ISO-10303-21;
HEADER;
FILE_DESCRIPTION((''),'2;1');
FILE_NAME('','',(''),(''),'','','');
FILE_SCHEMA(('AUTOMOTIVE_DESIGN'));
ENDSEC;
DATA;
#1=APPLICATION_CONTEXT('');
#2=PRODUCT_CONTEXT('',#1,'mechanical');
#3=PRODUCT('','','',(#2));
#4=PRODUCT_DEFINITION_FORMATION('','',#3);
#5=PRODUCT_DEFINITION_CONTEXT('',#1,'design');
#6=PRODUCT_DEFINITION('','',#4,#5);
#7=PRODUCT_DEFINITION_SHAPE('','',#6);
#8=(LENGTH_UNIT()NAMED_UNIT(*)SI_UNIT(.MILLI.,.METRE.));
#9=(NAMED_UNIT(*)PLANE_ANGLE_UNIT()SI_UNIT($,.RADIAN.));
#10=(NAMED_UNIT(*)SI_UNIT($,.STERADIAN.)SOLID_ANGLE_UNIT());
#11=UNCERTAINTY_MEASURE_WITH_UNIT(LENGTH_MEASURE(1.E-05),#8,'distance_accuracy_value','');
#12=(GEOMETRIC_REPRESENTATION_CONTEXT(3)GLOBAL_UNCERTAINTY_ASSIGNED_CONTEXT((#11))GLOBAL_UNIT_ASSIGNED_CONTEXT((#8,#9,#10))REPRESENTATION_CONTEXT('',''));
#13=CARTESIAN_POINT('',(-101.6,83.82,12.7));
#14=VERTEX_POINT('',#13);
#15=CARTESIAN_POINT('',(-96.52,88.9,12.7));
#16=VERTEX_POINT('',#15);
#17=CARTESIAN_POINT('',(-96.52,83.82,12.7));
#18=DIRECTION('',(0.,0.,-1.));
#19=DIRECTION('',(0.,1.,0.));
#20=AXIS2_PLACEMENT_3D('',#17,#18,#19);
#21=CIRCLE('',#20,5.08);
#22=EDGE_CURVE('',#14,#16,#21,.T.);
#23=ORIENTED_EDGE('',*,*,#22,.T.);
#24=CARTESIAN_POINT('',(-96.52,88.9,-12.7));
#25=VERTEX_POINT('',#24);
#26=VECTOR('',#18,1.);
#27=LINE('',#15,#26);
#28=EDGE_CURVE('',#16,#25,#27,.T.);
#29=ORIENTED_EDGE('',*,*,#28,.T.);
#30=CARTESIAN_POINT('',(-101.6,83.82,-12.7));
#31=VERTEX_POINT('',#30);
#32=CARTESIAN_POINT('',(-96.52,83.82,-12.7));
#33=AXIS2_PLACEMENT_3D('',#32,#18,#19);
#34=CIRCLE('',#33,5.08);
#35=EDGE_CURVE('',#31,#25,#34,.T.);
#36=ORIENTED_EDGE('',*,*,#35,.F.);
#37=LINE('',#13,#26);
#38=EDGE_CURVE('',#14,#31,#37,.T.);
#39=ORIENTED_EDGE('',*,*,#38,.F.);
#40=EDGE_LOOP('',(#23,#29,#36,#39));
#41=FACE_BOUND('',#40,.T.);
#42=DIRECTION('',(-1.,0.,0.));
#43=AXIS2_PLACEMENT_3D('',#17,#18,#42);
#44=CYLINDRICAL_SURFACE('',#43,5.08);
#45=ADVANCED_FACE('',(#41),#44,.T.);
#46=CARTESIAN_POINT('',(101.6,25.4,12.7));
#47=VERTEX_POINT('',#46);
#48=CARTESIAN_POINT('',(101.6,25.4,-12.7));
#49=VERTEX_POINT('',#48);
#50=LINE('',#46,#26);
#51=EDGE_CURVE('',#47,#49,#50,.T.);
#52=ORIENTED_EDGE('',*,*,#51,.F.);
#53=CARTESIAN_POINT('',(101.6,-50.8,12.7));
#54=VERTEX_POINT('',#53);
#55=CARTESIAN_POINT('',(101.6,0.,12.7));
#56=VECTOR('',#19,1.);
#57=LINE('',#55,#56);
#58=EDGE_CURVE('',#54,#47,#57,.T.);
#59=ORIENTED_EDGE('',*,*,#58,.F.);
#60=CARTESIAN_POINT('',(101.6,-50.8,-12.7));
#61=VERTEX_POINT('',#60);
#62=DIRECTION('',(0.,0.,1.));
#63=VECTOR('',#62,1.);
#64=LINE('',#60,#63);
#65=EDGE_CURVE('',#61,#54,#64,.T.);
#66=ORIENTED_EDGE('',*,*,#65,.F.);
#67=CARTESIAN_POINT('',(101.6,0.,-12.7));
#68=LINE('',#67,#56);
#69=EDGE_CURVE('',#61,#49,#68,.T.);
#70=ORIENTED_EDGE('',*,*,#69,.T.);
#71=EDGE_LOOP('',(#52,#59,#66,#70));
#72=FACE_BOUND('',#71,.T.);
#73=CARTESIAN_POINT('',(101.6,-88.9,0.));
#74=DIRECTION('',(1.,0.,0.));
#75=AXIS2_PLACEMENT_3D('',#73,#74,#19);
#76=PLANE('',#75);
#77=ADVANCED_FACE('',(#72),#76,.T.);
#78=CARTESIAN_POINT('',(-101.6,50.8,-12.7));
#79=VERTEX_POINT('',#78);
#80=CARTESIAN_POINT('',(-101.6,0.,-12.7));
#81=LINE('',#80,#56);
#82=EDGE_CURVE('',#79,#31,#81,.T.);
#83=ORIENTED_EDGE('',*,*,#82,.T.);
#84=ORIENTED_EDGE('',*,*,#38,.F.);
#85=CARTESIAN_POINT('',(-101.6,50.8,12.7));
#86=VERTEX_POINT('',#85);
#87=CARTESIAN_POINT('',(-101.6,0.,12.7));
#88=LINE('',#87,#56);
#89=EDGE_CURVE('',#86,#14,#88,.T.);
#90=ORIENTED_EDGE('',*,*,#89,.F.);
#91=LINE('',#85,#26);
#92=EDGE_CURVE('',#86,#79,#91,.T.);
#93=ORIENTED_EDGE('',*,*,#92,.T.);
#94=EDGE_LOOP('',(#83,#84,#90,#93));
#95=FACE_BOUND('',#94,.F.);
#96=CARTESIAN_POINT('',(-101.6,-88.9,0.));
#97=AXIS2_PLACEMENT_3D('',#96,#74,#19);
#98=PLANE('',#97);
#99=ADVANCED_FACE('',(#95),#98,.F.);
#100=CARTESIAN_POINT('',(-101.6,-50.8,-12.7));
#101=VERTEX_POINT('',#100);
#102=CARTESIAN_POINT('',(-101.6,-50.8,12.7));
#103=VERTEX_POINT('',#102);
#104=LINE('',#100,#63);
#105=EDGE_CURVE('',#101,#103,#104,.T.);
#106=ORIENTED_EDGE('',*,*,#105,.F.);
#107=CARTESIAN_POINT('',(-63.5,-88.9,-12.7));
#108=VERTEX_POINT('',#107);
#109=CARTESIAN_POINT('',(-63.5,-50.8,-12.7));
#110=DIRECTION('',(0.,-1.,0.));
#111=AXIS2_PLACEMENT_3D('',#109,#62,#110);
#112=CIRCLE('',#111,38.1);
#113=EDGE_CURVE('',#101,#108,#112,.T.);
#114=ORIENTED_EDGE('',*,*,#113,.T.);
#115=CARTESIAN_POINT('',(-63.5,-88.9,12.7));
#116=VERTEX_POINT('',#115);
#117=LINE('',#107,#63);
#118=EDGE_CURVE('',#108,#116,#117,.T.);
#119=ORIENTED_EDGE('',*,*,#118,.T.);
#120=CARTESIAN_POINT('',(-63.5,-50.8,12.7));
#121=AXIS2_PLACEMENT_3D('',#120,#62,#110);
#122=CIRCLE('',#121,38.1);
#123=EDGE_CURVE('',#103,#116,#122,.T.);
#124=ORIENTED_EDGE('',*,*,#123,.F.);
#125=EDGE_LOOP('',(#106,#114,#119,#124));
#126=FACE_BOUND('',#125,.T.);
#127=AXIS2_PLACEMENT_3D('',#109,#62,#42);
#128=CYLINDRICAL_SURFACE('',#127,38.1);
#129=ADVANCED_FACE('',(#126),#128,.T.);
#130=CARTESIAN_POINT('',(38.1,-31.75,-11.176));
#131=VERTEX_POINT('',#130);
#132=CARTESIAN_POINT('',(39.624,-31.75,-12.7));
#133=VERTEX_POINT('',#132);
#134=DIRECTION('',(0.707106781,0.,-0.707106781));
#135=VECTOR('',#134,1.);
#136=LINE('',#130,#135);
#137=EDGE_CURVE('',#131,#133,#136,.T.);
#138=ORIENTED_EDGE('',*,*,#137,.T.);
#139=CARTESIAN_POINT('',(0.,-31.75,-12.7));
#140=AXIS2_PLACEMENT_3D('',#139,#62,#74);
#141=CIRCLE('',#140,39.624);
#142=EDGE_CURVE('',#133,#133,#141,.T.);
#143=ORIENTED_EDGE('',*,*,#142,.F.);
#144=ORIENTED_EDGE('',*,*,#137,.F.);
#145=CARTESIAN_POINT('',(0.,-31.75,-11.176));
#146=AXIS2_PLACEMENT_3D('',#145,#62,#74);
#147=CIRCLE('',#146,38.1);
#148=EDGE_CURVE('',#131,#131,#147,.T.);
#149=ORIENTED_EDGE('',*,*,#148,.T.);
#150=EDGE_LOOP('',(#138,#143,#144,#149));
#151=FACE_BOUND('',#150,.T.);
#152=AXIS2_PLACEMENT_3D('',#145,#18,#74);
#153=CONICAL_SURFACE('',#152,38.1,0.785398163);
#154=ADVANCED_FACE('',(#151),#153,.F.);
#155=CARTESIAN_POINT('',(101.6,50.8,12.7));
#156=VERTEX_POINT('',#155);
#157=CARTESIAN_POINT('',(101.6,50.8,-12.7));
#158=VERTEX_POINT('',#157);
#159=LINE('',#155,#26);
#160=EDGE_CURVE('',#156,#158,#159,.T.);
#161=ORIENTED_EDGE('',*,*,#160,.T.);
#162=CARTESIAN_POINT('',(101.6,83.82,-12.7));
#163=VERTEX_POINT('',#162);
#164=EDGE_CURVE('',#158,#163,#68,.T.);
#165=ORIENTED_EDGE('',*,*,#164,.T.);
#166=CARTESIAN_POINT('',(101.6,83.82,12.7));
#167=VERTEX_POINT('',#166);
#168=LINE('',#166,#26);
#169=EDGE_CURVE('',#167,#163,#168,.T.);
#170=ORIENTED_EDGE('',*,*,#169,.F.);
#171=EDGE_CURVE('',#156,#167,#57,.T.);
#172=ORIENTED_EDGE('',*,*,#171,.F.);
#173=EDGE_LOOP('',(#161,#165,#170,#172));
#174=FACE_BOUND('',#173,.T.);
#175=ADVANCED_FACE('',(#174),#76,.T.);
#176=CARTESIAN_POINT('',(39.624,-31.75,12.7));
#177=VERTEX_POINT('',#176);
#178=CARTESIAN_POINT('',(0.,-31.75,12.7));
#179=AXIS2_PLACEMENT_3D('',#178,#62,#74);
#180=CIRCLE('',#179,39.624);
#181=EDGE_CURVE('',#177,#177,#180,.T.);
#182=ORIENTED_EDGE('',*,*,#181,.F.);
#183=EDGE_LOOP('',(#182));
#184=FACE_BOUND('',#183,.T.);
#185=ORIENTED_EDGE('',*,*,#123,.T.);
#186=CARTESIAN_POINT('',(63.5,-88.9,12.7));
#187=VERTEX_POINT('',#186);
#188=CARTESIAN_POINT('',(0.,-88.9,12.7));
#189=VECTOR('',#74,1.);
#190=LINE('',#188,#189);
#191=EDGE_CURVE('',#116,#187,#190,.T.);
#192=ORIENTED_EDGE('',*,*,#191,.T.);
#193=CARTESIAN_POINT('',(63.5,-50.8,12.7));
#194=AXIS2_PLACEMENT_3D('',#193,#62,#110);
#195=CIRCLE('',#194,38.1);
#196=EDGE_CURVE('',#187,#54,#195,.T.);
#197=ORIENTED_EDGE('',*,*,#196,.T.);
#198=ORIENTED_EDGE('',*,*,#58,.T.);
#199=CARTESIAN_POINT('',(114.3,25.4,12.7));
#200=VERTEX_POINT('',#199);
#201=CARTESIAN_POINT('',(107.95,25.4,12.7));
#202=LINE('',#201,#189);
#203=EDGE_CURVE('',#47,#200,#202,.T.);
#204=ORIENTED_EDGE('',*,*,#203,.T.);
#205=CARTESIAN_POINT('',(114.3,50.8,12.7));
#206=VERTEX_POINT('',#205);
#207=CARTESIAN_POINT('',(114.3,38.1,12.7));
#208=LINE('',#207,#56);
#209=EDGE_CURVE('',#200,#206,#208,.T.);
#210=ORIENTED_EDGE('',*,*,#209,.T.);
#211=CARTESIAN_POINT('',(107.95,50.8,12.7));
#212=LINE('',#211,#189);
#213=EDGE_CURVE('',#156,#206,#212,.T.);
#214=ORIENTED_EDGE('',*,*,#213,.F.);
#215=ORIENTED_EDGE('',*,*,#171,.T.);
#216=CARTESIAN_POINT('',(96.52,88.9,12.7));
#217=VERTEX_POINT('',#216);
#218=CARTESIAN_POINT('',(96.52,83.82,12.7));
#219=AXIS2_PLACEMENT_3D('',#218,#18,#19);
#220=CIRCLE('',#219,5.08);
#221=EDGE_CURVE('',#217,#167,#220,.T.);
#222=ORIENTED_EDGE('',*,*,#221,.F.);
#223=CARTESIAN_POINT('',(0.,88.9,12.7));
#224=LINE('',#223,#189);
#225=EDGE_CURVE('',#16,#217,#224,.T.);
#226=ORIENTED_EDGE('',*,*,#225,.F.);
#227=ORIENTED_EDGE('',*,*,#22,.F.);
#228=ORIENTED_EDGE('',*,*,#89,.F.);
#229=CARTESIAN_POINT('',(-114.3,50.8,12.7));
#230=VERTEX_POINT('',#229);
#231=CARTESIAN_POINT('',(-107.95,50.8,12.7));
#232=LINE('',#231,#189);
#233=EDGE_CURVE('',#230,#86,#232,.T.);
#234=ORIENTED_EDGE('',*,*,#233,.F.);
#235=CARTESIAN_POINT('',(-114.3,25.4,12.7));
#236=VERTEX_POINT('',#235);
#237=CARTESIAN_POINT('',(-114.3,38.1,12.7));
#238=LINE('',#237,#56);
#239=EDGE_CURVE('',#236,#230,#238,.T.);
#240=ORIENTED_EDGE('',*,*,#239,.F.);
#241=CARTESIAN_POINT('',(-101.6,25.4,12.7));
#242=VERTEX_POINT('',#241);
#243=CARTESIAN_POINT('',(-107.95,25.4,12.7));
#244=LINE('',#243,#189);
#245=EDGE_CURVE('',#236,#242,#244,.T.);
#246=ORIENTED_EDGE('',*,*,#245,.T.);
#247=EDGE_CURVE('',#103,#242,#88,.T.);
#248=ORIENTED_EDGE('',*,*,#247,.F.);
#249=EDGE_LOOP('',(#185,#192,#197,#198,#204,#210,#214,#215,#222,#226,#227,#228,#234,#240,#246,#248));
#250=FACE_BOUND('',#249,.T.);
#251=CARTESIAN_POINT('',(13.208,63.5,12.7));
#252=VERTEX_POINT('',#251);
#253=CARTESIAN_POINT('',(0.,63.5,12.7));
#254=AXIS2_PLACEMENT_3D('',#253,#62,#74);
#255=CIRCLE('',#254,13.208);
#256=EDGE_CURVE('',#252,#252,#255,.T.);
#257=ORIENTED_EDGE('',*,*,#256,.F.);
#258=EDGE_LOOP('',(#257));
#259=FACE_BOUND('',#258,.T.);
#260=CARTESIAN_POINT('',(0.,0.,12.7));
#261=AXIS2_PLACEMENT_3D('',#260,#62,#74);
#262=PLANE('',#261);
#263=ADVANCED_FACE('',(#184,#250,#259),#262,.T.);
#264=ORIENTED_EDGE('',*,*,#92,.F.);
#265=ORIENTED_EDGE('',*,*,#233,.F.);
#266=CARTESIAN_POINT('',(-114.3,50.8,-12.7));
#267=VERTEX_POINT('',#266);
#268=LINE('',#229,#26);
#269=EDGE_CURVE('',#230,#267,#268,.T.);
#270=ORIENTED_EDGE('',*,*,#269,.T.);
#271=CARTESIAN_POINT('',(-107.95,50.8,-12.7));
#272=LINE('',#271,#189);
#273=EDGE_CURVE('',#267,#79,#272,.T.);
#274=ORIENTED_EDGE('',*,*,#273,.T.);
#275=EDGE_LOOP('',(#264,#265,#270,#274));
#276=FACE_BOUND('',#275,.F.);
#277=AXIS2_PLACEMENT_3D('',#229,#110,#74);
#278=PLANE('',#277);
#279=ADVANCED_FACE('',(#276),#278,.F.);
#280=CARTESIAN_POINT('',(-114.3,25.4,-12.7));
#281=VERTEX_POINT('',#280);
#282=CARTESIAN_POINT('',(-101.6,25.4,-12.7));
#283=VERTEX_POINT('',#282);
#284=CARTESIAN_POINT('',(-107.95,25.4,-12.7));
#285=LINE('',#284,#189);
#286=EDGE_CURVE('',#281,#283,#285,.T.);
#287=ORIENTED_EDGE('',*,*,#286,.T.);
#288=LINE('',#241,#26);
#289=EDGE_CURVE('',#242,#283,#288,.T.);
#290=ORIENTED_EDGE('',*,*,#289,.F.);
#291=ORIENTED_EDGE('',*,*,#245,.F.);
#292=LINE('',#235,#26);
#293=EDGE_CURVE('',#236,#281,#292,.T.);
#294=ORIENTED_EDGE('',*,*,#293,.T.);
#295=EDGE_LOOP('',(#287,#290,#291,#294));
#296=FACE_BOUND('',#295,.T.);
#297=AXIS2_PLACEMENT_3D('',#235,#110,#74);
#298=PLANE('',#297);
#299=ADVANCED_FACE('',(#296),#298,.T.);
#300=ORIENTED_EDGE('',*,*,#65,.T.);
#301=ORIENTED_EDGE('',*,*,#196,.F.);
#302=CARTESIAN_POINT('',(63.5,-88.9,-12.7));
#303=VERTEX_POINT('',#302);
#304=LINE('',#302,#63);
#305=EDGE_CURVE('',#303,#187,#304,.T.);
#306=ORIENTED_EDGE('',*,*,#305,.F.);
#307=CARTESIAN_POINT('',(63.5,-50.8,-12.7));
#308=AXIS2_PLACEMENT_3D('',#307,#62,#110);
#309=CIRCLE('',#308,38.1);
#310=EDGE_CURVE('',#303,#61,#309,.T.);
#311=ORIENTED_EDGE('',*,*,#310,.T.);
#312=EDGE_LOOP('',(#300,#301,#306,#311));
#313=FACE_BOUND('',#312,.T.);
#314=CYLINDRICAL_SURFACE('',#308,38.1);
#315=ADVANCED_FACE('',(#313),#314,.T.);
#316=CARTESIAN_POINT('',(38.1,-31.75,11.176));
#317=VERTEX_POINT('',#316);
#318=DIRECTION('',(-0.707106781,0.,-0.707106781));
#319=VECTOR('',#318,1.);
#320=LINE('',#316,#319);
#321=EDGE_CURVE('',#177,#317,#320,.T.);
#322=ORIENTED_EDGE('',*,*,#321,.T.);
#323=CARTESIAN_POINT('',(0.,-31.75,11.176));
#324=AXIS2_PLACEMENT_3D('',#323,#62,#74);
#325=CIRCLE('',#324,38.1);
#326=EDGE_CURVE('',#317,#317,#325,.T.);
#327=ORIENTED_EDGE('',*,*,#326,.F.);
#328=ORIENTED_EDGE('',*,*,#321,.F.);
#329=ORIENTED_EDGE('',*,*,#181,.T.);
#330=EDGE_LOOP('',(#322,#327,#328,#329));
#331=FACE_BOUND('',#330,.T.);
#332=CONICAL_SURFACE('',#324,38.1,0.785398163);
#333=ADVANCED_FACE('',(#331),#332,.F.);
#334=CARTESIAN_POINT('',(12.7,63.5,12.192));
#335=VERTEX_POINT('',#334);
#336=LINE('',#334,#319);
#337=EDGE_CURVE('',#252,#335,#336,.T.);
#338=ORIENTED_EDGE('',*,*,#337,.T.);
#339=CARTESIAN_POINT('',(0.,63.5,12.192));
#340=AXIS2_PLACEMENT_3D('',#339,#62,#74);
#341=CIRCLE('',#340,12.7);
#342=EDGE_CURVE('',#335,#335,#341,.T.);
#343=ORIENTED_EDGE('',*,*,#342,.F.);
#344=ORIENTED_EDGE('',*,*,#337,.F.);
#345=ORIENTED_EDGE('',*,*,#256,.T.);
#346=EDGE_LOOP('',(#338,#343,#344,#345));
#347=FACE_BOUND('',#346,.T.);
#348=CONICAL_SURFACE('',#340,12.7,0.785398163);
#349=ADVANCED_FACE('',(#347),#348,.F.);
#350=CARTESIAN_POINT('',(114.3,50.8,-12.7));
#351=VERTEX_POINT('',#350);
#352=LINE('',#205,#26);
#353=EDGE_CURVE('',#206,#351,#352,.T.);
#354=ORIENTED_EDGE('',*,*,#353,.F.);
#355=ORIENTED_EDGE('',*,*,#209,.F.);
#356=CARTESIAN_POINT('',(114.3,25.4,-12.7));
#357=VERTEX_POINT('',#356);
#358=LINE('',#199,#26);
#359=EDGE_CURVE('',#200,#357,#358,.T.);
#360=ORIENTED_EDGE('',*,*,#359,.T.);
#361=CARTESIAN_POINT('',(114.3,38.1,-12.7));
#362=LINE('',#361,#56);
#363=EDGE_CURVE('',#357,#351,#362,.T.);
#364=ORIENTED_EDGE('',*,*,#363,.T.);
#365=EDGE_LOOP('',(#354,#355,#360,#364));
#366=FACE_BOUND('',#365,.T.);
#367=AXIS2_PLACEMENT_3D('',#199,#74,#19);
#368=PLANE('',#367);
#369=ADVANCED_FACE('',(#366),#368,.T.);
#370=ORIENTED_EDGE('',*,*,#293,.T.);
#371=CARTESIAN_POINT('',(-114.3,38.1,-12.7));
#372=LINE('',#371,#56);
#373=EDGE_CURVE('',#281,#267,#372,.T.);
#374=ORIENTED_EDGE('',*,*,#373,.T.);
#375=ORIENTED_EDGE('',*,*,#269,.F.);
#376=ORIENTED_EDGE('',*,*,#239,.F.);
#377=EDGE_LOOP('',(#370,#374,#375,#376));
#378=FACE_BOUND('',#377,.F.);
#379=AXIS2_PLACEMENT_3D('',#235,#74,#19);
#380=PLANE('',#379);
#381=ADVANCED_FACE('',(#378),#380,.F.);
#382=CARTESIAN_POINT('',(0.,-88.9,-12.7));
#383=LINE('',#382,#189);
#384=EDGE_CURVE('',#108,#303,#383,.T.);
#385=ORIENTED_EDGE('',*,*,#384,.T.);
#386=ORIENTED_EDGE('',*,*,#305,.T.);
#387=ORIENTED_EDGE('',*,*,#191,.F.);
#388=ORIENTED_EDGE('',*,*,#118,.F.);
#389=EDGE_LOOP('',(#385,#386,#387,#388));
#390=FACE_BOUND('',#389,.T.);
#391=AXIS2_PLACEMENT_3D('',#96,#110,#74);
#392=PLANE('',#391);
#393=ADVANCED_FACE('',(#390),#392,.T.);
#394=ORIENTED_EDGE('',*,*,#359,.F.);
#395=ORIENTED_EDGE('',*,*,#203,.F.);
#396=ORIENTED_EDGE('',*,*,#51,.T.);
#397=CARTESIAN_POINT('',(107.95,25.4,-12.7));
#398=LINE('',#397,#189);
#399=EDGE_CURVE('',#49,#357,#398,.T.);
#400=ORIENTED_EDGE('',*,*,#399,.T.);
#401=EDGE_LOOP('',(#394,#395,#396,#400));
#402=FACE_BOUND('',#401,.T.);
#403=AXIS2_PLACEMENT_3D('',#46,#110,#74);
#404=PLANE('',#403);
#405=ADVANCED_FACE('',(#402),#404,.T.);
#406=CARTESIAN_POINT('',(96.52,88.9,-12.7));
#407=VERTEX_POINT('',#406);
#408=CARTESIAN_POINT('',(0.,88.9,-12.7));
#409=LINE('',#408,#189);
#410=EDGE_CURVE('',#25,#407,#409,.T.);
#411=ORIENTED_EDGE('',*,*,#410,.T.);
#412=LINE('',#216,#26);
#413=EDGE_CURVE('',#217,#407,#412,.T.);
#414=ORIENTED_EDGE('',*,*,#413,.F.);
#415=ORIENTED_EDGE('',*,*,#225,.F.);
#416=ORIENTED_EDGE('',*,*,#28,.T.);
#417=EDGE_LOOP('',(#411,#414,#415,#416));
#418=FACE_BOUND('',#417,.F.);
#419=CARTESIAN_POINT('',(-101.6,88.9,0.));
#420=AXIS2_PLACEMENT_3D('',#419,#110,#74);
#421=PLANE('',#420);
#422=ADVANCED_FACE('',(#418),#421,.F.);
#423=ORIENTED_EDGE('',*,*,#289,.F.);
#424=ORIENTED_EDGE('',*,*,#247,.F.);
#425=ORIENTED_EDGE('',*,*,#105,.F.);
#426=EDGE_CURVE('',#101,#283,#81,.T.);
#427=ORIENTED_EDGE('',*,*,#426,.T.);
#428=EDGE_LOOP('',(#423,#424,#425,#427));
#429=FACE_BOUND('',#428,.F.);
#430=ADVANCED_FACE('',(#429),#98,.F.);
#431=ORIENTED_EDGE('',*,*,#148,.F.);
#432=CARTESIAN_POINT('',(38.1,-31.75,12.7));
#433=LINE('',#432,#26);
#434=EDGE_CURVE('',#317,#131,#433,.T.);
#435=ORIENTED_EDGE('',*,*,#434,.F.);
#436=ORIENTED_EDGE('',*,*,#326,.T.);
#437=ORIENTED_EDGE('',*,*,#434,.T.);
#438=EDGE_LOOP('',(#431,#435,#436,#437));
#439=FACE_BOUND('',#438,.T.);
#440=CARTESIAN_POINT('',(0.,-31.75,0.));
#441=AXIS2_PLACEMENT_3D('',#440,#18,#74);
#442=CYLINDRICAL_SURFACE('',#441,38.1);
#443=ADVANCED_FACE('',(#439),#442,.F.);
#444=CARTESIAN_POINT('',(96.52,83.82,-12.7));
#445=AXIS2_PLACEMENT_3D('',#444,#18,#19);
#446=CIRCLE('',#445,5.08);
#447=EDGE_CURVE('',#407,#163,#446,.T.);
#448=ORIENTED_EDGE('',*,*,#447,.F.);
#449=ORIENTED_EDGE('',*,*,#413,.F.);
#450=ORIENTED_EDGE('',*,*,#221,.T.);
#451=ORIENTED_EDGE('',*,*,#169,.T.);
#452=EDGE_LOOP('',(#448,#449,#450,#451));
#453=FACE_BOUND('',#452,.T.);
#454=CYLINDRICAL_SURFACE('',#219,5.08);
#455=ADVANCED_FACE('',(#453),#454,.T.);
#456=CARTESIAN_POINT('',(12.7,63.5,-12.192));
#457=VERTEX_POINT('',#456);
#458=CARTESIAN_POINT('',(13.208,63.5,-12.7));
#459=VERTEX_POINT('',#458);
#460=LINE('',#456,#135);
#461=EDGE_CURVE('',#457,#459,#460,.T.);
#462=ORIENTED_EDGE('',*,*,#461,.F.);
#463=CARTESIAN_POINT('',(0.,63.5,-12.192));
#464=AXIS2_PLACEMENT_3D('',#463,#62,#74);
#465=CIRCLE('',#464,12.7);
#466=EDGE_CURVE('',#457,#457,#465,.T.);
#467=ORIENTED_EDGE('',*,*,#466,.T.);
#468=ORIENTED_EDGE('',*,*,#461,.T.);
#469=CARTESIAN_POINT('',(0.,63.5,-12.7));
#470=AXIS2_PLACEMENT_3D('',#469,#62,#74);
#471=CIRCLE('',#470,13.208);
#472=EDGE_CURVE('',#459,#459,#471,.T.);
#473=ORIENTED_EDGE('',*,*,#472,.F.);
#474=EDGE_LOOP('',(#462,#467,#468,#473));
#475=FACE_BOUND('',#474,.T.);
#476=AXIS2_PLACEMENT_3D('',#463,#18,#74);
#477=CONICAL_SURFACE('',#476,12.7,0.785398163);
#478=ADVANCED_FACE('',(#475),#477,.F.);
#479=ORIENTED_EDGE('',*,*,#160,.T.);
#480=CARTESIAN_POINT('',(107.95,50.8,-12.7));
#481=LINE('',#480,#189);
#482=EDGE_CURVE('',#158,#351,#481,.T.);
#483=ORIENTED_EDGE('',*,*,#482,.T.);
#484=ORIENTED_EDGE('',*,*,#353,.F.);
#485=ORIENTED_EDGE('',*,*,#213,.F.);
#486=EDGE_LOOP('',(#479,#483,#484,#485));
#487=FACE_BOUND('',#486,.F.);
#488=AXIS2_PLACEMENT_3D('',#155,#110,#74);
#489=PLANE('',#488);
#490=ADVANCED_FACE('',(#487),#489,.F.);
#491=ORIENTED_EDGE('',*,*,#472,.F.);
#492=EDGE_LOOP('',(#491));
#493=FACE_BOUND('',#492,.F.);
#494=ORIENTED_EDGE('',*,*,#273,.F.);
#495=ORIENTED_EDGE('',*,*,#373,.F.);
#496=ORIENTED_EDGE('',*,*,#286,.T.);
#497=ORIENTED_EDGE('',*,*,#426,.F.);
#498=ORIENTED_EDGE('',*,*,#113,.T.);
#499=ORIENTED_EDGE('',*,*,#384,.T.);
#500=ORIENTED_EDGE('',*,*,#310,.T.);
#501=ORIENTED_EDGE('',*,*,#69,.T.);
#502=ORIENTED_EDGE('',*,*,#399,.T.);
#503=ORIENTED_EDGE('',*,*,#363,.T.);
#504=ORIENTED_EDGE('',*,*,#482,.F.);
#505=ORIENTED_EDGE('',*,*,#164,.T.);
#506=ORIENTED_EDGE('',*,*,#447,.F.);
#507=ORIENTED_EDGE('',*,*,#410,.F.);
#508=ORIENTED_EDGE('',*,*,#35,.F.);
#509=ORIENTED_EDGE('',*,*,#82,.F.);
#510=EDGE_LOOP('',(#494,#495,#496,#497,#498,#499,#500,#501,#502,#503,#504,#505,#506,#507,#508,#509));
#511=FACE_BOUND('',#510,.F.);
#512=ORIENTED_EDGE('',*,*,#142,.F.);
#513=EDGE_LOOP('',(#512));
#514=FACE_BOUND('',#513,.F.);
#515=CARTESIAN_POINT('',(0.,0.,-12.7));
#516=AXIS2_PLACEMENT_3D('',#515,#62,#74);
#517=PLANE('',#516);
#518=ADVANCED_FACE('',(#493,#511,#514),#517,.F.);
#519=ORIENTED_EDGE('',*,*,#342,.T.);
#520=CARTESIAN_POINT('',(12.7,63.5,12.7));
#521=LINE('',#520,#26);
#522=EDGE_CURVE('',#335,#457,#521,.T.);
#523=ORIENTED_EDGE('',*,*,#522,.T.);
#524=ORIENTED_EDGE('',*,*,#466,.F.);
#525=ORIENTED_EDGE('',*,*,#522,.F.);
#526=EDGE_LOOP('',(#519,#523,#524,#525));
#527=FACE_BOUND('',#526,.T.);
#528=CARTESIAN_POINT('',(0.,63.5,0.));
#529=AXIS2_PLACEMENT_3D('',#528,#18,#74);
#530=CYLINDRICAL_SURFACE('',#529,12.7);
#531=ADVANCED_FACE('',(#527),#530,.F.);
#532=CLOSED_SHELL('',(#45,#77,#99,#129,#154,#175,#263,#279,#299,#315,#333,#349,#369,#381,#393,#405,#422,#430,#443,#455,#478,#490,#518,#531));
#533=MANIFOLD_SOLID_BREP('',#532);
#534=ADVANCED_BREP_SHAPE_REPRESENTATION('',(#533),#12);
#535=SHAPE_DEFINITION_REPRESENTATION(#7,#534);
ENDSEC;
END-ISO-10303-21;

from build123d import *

# Parameters (mm, degrees)
F0_W     = 203.2
F0_H     = 177.8
F0_R     = 38.1
F0_R_2   = 12.7
F1_DEPTH = 12.7
F2_SIZE  = 0.508
F3_SIZE  = 1.524
F4_R     = 38.1
F5_R     = 5.08
F6_W     = 12.7
F6_H     = 25.4
F7_DEPTH = 25.4


with BuildPart() as f1:
    # F0 (on Top) → F1 (new body, symmetric)
    with BuildSketch(Plane.XY):
        Rectangle(F0_W, F0_H)
        with Locations((0, -31.75)):
            Circle(F0_R, mode=Mode.SUBTRACT)
        with Locations((0, 63.5)):
            Circle(F0_R_2, mode=Mode.SUBTRACT)
    extrude(amount=F1_DEPTH, both=True)

    # F2
    f2_edges = [f1.edges().sort_by_distance(p)[0] for p in [
        (-12.7, 63.5, 12.7),
        (-12.7, 63.5, -12.7),
    ]]
    chamfer(f2_edges, length=F2_SIZE)

    # F3
    f3_edges = [f1.edges().sort_by_distance(p)[0] for p in [
        (-38.1, -31.75, 12.7),
        (-38.1, -31.75, -12.7),
    ]]
    chamfer(f3_edges, length=F3_SIZE)

    # F4
    f4_edges = [f1.edges().sort_by_distance(p)[0] for p in [
        (-101.6, -88.9, 0),
        (101.6, -88.9, 0),
    ]]
    fillet(f4_edges, radius=F4_R)

    # F5
    f5_edges = [f1.edges().sort_by_distance(p)[0] for p in [
        (101.6, 88.9, 0),
        (-101.6, 88.9, 0),
    ]]
    fillet(f5_edges, radius=F5_R)

    # F6 (on face) → F7 (join)
    with BuildSketch(Plane.XY.offset(12.7)):
        with Locations((-107.95, 38.1)):
            Rectangle(F6_W, F6_H)
        with Locations((107.95, 38.1)):
            Rectangle(F6_W, F6_H)
    extrude(amount=-F7_DEPTH)


solid = f1.part
